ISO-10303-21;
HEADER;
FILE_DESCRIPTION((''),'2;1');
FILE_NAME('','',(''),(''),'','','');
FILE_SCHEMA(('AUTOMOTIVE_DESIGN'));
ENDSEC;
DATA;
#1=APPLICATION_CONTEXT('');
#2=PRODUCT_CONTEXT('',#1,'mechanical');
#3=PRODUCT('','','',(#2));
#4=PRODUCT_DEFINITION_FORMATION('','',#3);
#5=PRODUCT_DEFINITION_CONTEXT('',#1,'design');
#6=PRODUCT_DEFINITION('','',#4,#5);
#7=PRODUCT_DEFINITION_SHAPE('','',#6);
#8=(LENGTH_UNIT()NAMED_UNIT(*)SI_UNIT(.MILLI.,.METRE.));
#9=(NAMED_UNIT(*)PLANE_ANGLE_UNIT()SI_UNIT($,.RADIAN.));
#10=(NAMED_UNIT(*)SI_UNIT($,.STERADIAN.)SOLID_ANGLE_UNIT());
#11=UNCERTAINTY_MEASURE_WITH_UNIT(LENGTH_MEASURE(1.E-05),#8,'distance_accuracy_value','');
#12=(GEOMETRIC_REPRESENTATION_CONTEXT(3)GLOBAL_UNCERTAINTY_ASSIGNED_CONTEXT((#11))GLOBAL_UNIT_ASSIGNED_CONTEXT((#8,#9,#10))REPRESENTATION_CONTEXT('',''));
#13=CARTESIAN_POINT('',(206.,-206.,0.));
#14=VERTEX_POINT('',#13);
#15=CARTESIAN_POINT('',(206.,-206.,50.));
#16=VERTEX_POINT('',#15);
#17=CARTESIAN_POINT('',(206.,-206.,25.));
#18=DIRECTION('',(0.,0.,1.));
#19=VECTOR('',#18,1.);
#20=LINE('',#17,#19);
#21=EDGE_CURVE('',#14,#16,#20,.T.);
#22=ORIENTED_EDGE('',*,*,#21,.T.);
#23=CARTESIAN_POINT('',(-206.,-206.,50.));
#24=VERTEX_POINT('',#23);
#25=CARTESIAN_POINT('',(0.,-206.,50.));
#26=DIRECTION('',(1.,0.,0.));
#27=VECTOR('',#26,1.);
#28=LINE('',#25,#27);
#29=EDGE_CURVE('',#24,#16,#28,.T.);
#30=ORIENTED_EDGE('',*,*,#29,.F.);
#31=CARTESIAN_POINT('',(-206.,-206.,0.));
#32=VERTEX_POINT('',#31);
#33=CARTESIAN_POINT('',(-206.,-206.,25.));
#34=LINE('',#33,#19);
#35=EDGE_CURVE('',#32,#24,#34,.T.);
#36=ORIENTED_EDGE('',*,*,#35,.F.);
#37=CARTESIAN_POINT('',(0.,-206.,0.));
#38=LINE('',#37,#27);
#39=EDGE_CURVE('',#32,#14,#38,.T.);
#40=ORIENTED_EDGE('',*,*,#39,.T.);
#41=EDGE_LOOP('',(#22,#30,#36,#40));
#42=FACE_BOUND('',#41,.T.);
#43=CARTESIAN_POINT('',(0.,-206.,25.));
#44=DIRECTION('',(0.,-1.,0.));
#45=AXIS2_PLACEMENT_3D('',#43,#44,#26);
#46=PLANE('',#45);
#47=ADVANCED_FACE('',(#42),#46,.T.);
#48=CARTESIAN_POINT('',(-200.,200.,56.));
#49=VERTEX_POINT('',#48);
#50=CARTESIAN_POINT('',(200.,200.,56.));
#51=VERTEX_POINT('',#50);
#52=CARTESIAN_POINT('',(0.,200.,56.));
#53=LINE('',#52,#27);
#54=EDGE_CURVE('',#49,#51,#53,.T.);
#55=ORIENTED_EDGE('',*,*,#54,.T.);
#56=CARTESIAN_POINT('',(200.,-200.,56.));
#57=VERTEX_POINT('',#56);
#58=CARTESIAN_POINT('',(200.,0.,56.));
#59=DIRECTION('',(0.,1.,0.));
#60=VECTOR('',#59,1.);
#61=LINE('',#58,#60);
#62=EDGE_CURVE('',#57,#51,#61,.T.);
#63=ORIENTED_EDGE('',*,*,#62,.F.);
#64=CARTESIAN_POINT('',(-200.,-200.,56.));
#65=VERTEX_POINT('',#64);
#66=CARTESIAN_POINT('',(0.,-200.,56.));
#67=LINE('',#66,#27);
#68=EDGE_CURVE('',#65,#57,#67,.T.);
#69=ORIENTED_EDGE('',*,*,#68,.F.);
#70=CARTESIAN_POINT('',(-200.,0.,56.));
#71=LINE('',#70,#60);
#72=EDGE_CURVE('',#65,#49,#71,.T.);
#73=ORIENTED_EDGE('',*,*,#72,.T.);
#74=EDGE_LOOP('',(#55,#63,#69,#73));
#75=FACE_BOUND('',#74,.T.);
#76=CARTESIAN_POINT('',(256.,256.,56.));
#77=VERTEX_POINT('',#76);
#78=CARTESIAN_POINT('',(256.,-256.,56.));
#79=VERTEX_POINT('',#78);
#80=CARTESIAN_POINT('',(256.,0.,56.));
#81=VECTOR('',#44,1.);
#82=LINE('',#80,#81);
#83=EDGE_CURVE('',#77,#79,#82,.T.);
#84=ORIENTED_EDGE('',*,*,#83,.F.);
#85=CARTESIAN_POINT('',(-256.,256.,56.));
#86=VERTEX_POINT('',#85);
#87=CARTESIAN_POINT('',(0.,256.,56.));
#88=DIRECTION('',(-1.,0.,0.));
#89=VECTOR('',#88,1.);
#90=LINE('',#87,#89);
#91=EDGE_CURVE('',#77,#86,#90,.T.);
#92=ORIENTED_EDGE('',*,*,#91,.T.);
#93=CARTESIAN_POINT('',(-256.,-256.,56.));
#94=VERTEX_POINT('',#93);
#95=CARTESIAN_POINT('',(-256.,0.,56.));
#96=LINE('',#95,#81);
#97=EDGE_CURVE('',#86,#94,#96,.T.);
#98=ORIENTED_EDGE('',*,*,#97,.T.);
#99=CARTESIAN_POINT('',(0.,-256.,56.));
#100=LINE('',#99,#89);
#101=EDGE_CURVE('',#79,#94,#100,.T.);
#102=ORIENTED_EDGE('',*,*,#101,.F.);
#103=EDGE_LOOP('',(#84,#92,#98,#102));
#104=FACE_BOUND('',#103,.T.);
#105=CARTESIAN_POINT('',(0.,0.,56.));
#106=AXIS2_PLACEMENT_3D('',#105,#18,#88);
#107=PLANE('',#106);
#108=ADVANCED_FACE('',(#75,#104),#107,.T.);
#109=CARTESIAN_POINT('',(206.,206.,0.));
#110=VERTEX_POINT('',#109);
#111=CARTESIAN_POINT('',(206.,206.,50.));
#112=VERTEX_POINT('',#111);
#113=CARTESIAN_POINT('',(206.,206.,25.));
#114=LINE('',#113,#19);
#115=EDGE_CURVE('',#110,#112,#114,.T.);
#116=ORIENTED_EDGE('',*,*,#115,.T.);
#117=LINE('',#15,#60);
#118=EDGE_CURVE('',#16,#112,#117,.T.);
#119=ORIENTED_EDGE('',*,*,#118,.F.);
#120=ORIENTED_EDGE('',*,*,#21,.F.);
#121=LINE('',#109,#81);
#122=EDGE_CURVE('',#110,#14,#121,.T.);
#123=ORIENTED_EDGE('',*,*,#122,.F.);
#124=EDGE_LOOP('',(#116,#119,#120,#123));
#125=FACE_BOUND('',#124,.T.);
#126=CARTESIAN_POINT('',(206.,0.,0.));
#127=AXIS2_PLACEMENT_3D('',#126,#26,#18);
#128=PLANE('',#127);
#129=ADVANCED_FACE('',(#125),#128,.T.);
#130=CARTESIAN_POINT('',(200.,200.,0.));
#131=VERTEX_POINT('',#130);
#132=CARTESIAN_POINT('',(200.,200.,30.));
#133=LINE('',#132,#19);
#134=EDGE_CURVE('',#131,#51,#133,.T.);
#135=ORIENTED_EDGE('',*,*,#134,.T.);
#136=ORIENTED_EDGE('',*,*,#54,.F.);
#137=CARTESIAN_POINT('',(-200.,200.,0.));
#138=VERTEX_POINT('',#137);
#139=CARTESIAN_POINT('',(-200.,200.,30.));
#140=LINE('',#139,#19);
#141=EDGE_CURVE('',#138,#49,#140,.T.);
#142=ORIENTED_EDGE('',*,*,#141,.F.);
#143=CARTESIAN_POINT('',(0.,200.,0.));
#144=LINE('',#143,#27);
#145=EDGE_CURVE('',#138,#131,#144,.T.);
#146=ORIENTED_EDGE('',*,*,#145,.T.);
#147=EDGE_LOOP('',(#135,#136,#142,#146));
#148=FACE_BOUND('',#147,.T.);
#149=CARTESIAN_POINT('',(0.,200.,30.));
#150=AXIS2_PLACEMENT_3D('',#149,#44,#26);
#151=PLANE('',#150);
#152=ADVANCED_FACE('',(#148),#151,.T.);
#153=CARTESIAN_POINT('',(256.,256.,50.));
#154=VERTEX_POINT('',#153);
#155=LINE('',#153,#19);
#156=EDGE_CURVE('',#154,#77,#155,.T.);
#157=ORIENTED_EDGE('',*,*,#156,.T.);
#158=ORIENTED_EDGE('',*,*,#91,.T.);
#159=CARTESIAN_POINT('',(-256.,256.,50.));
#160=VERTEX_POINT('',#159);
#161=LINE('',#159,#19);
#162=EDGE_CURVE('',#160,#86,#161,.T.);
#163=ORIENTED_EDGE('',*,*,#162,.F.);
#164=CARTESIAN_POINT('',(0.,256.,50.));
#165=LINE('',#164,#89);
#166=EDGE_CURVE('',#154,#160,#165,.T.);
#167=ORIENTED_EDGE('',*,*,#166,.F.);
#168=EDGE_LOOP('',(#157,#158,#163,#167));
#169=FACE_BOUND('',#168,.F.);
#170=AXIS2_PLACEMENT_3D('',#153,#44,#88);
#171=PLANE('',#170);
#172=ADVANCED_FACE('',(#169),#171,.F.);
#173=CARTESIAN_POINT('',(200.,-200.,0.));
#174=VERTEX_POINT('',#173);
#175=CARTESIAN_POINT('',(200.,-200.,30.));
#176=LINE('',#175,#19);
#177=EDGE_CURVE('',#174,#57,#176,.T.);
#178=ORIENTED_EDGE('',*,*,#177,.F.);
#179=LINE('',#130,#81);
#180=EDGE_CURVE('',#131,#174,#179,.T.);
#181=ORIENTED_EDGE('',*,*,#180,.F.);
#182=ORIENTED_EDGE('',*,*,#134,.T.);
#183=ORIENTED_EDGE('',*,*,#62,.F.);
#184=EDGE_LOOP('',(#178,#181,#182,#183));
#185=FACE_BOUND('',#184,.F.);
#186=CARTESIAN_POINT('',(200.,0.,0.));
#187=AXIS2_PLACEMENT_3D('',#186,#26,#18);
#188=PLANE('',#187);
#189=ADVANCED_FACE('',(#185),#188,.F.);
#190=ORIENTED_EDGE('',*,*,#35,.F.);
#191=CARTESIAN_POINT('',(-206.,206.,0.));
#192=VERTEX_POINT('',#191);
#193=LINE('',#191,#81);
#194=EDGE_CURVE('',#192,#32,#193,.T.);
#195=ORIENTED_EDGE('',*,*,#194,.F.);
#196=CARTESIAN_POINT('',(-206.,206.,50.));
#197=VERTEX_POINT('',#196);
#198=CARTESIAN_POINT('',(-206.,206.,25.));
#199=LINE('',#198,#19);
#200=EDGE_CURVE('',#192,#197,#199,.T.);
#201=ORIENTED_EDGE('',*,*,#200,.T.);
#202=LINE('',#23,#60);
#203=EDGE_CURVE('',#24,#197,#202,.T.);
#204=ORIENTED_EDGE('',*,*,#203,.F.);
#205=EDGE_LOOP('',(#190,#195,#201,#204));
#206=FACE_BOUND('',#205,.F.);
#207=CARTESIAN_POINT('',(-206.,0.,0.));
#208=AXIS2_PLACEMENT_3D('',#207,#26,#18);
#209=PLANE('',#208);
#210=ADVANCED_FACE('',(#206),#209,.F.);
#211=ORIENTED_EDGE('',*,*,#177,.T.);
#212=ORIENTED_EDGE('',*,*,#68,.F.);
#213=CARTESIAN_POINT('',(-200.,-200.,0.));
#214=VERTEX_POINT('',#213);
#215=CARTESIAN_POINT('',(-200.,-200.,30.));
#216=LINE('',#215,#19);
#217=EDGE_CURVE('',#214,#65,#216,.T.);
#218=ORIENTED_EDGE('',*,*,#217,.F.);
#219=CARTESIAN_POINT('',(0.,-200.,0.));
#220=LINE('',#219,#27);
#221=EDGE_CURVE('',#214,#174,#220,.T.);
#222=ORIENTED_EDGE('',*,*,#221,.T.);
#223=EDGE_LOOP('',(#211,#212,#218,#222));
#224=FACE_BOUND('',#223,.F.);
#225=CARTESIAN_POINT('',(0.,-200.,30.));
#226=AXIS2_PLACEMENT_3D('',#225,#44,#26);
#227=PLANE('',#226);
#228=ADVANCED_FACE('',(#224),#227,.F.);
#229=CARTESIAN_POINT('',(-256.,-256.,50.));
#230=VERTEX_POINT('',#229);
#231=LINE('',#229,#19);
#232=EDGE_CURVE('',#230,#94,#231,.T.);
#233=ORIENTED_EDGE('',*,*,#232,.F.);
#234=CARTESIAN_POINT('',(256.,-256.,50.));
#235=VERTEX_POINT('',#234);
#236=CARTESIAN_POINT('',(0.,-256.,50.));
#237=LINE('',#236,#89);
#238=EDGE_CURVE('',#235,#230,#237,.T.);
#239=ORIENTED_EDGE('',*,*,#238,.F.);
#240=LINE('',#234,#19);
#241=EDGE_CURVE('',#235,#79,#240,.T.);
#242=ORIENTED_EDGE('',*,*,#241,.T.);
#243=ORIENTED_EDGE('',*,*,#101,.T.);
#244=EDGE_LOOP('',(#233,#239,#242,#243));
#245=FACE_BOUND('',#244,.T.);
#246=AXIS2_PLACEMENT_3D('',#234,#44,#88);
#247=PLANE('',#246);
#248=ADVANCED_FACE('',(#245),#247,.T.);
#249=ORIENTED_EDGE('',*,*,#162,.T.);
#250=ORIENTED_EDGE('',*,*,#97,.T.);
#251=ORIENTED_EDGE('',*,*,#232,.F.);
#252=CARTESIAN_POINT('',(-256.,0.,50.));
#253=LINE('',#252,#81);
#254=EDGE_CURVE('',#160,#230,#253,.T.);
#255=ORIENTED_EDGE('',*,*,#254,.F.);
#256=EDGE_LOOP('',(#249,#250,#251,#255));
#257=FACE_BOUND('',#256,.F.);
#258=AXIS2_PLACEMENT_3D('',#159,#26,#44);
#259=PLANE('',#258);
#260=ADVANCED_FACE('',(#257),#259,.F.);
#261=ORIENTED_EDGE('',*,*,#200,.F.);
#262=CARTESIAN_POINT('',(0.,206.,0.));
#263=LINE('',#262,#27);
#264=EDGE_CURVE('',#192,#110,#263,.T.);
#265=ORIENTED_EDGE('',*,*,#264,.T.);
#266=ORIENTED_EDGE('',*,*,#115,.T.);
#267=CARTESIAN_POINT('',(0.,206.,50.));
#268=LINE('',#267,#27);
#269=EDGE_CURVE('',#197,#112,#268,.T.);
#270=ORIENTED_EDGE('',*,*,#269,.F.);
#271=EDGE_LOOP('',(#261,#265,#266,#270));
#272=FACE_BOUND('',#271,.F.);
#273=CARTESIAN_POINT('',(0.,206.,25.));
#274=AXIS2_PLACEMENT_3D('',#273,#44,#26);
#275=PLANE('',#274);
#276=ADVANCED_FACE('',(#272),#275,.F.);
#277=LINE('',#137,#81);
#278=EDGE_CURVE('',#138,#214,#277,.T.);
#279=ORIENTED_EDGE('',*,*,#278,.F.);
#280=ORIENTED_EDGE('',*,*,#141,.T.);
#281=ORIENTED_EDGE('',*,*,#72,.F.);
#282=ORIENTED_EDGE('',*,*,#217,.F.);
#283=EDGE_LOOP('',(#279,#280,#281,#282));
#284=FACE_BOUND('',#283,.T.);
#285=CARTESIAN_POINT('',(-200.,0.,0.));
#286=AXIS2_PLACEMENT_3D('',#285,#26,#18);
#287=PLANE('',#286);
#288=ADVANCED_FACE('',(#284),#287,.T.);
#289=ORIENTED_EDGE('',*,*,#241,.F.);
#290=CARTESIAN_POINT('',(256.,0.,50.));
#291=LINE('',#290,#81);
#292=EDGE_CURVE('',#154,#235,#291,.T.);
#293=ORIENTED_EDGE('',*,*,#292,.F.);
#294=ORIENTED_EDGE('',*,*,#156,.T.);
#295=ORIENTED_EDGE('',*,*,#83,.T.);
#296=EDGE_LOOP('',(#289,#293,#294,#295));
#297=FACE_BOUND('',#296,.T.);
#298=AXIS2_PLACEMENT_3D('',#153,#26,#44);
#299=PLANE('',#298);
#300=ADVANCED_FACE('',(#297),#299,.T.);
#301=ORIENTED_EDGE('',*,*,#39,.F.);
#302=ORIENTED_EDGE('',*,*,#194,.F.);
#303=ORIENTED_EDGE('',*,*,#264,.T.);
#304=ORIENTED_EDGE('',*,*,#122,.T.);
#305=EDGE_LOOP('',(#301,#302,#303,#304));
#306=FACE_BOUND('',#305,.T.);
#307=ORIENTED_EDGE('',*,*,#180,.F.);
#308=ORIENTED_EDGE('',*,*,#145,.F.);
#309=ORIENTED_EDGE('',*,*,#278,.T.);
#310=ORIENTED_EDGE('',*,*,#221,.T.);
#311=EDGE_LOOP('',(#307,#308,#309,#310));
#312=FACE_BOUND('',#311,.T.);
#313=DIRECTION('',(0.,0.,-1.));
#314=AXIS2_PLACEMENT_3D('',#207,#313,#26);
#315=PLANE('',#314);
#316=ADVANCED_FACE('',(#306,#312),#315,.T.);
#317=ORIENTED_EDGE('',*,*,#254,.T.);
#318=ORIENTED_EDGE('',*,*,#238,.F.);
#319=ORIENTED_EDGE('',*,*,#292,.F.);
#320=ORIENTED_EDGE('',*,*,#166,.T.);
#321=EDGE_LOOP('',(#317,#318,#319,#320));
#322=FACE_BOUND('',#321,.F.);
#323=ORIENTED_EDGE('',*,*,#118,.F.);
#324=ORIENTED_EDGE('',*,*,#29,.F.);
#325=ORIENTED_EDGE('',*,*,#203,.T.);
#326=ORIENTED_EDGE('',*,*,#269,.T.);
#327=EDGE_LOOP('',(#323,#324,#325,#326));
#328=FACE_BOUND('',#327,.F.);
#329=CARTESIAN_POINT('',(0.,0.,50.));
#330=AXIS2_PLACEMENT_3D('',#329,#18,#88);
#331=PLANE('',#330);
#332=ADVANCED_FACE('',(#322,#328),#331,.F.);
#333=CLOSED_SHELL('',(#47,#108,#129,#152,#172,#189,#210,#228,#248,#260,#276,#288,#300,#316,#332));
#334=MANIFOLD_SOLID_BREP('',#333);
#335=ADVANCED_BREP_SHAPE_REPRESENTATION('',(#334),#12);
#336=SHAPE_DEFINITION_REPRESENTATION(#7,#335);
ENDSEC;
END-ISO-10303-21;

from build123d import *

# Parameters (mm, degrees)
SKETCH_W     = 400
SKETCH_H     = 60
PAD_DEPTH    = 200
SKETCH052_W  = 412
SKETCH052_H  = 50
PAD001_DEPTH = 206
SKETCH053_W  = 512
SKETCH053_H  = 512
PAD002_DEPTH = 6


with BuildPart() as body:
    # Sketch → Pad (new body, symmetric)
    with BuildSketch(Plane.XZ):
        with Locations((0, 30)):
            Rectangle(SKETCH_W, SKETCH_H)
    extrude(amount=PAD_DEPTH, both=True)


with BuildPart() as cut006:
    # Sketch052 → Pad001 (new body, symmetric)
    with BuildSketch(Plane.XZ):
        with Locations((0, 25)):
            Rectangle(SKETCH052_W, SKETCH052_H)
    extrude(amount=PAD001_DEPTH, both=True)

    # Sketch053 (on Face3 of Pad001) → Pad002 (join)
    with BuildSketch(Plane(origin=(0, 0, 50), x_dir=(-1, 0, 0), z_dir=(0, 0, 1))):
        Rectangle(SKETCH053_W, SKETCH053_H)
    extrude(amount=PAD002_DEPTH)

    # Cut006: cut Body
    add(body.part, mode=Mode.SUBTRACT)


solid = cut006.part
